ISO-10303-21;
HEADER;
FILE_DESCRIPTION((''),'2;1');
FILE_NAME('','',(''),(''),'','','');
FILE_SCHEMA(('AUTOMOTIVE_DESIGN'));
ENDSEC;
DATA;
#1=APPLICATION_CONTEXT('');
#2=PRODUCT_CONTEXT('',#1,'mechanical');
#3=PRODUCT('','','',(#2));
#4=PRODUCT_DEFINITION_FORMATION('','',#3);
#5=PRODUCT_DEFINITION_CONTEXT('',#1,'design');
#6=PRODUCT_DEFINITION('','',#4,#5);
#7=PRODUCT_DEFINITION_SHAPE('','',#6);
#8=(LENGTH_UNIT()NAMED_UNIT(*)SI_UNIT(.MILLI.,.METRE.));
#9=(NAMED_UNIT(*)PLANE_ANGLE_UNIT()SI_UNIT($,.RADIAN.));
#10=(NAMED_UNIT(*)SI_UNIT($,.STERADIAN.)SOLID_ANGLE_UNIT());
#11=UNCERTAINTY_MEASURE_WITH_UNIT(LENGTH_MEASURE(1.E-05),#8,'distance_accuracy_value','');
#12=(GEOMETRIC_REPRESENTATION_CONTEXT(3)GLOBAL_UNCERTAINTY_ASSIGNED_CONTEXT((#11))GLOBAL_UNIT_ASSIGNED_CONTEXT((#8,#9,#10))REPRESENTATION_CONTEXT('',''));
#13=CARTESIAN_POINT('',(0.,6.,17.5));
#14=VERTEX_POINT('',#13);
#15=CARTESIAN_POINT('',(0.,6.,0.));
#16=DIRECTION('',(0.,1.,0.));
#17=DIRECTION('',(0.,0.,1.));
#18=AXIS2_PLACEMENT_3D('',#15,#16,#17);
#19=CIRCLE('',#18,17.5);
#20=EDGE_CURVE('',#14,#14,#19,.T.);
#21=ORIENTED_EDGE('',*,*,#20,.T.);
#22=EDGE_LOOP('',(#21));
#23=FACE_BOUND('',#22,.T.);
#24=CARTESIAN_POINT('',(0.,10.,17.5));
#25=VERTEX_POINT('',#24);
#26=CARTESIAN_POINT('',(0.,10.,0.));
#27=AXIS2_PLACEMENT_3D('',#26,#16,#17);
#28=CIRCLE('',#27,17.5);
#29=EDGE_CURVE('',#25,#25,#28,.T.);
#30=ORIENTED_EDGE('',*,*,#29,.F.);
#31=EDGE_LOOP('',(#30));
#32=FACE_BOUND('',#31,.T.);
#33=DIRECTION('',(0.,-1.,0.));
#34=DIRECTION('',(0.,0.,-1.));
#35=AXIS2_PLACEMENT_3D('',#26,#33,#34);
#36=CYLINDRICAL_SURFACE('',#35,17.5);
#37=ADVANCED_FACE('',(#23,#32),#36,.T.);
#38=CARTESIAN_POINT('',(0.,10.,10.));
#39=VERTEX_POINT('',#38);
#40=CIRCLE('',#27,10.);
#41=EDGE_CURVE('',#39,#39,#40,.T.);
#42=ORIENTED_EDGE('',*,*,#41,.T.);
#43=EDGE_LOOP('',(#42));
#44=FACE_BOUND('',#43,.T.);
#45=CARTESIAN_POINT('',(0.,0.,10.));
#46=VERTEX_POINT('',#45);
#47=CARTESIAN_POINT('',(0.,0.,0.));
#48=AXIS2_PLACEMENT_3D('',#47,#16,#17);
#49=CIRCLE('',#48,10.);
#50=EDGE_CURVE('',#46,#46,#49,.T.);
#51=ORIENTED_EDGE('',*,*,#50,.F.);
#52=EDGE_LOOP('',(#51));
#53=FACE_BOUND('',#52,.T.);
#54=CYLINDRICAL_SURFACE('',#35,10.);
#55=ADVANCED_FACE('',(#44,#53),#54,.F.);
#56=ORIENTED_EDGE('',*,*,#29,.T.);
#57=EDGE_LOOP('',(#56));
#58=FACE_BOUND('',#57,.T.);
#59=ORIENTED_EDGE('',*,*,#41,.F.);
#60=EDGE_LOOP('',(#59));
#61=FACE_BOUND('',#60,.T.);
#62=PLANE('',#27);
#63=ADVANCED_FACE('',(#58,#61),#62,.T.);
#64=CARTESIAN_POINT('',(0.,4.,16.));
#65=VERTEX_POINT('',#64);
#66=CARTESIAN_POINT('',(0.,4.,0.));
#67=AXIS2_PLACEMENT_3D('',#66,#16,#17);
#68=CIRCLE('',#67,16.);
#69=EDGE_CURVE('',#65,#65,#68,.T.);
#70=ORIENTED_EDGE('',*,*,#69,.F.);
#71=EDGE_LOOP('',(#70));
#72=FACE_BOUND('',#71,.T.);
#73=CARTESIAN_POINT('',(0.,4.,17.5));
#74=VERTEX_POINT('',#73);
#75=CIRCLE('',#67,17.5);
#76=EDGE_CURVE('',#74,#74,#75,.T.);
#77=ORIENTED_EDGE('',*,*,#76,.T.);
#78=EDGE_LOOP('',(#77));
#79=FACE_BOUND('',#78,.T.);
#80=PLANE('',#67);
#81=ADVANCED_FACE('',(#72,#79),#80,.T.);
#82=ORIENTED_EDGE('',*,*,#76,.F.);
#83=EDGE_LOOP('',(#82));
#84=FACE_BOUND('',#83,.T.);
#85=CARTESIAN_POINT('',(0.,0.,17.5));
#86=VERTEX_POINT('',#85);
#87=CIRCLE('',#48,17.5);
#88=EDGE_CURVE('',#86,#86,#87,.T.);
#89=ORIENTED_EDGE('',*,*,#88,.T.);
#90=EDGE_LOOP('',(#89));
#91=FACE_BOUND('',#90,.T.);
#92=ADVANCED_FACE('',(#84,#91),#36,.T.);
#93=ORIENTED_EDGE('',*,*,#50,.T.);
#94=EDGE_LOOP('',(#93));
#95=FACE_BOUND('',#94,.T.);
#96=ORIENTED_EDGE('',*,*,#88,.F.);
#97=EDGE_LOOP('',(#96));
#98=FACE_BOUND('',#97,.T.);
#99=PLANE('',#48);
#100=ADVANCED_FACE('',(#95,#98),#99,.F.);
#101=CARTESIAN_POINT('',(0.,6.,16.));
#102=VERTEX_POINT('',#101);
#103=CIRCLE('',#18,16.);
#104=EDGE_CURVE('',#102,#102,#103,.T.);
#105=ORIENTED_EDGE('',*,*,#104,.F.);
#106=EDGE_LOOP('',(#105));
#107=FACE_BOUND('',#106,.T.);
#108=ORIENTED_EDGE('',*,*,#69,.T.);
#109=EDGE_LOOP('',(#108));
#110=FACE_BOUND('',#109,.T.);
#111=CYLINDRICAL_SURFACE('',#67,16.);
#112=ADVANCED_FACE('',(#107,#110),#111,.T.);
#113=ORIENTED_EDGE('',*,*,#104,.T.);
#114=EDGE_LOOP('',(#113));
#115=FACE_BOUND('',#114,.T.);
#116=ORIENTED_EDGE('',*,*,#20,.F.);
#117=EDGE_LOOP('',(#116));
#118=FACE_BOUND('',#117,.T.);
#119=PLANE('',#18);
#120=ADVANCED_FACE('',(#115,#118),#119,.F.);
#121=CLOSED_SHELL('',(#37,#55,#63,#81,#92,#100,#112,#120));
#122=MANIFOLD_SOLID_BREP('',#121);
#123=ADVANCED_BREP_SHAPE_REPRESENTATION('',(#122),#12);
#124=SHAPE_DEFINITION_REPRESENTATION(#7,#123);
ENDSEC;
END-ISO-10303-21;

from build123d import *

# Parameters (mm, degrees)
SKETCH_1_R          = 17.5
SKETCH_1_R_2        = 10
EXTRUDE_1_DEPTH     = 10
SKETCH_4_R          = 17.5
SKETCH_4_R_2        = 16
CUT_EXTRUDE_1_DEPTH = 1


with BuildPart() as part:
    # 草图1 → 凸台-拉伸1 (new body)
    with BuildSketch(Plane(origin=(0, 0, 0), x_dir=(1, 0, 0), z_dir=(0, 1, 0))):
        with Locations(Location((0, 0, 0), (0, 0, 270))):
            Circle(SKETCH_1_R)
        with Locations(Location((0, 0, 0), (0, 0, 270))):
            Circle(SKETCH_1_R_2, mode=Mode.SUBTRACT)
    extrude(amount=EXTRUDE_1_DEPTH)

    # 草图4 → 切除-拉伸1 (cut, symmetric)
    with BuildSketch(Plane(origin=(0, 5, 0), x_dir=(1, 0, 0), z_dir=(0, 1, 0))):
        with Locations(Location((0, 0, 0), (0, 0, 270))):
            Circle(SKETCH_4_R)
        with Locations(Location((0, 0, 0), (0, 0, 270))):
            Circle(SKETCH_4_R_2, mode=Mode.SUBTRACT)
    extrude(amount=CUT_EXTRUDE_1_DEPTH, both=True, mode=Mode.SUBTRACT)


solid = part.part
